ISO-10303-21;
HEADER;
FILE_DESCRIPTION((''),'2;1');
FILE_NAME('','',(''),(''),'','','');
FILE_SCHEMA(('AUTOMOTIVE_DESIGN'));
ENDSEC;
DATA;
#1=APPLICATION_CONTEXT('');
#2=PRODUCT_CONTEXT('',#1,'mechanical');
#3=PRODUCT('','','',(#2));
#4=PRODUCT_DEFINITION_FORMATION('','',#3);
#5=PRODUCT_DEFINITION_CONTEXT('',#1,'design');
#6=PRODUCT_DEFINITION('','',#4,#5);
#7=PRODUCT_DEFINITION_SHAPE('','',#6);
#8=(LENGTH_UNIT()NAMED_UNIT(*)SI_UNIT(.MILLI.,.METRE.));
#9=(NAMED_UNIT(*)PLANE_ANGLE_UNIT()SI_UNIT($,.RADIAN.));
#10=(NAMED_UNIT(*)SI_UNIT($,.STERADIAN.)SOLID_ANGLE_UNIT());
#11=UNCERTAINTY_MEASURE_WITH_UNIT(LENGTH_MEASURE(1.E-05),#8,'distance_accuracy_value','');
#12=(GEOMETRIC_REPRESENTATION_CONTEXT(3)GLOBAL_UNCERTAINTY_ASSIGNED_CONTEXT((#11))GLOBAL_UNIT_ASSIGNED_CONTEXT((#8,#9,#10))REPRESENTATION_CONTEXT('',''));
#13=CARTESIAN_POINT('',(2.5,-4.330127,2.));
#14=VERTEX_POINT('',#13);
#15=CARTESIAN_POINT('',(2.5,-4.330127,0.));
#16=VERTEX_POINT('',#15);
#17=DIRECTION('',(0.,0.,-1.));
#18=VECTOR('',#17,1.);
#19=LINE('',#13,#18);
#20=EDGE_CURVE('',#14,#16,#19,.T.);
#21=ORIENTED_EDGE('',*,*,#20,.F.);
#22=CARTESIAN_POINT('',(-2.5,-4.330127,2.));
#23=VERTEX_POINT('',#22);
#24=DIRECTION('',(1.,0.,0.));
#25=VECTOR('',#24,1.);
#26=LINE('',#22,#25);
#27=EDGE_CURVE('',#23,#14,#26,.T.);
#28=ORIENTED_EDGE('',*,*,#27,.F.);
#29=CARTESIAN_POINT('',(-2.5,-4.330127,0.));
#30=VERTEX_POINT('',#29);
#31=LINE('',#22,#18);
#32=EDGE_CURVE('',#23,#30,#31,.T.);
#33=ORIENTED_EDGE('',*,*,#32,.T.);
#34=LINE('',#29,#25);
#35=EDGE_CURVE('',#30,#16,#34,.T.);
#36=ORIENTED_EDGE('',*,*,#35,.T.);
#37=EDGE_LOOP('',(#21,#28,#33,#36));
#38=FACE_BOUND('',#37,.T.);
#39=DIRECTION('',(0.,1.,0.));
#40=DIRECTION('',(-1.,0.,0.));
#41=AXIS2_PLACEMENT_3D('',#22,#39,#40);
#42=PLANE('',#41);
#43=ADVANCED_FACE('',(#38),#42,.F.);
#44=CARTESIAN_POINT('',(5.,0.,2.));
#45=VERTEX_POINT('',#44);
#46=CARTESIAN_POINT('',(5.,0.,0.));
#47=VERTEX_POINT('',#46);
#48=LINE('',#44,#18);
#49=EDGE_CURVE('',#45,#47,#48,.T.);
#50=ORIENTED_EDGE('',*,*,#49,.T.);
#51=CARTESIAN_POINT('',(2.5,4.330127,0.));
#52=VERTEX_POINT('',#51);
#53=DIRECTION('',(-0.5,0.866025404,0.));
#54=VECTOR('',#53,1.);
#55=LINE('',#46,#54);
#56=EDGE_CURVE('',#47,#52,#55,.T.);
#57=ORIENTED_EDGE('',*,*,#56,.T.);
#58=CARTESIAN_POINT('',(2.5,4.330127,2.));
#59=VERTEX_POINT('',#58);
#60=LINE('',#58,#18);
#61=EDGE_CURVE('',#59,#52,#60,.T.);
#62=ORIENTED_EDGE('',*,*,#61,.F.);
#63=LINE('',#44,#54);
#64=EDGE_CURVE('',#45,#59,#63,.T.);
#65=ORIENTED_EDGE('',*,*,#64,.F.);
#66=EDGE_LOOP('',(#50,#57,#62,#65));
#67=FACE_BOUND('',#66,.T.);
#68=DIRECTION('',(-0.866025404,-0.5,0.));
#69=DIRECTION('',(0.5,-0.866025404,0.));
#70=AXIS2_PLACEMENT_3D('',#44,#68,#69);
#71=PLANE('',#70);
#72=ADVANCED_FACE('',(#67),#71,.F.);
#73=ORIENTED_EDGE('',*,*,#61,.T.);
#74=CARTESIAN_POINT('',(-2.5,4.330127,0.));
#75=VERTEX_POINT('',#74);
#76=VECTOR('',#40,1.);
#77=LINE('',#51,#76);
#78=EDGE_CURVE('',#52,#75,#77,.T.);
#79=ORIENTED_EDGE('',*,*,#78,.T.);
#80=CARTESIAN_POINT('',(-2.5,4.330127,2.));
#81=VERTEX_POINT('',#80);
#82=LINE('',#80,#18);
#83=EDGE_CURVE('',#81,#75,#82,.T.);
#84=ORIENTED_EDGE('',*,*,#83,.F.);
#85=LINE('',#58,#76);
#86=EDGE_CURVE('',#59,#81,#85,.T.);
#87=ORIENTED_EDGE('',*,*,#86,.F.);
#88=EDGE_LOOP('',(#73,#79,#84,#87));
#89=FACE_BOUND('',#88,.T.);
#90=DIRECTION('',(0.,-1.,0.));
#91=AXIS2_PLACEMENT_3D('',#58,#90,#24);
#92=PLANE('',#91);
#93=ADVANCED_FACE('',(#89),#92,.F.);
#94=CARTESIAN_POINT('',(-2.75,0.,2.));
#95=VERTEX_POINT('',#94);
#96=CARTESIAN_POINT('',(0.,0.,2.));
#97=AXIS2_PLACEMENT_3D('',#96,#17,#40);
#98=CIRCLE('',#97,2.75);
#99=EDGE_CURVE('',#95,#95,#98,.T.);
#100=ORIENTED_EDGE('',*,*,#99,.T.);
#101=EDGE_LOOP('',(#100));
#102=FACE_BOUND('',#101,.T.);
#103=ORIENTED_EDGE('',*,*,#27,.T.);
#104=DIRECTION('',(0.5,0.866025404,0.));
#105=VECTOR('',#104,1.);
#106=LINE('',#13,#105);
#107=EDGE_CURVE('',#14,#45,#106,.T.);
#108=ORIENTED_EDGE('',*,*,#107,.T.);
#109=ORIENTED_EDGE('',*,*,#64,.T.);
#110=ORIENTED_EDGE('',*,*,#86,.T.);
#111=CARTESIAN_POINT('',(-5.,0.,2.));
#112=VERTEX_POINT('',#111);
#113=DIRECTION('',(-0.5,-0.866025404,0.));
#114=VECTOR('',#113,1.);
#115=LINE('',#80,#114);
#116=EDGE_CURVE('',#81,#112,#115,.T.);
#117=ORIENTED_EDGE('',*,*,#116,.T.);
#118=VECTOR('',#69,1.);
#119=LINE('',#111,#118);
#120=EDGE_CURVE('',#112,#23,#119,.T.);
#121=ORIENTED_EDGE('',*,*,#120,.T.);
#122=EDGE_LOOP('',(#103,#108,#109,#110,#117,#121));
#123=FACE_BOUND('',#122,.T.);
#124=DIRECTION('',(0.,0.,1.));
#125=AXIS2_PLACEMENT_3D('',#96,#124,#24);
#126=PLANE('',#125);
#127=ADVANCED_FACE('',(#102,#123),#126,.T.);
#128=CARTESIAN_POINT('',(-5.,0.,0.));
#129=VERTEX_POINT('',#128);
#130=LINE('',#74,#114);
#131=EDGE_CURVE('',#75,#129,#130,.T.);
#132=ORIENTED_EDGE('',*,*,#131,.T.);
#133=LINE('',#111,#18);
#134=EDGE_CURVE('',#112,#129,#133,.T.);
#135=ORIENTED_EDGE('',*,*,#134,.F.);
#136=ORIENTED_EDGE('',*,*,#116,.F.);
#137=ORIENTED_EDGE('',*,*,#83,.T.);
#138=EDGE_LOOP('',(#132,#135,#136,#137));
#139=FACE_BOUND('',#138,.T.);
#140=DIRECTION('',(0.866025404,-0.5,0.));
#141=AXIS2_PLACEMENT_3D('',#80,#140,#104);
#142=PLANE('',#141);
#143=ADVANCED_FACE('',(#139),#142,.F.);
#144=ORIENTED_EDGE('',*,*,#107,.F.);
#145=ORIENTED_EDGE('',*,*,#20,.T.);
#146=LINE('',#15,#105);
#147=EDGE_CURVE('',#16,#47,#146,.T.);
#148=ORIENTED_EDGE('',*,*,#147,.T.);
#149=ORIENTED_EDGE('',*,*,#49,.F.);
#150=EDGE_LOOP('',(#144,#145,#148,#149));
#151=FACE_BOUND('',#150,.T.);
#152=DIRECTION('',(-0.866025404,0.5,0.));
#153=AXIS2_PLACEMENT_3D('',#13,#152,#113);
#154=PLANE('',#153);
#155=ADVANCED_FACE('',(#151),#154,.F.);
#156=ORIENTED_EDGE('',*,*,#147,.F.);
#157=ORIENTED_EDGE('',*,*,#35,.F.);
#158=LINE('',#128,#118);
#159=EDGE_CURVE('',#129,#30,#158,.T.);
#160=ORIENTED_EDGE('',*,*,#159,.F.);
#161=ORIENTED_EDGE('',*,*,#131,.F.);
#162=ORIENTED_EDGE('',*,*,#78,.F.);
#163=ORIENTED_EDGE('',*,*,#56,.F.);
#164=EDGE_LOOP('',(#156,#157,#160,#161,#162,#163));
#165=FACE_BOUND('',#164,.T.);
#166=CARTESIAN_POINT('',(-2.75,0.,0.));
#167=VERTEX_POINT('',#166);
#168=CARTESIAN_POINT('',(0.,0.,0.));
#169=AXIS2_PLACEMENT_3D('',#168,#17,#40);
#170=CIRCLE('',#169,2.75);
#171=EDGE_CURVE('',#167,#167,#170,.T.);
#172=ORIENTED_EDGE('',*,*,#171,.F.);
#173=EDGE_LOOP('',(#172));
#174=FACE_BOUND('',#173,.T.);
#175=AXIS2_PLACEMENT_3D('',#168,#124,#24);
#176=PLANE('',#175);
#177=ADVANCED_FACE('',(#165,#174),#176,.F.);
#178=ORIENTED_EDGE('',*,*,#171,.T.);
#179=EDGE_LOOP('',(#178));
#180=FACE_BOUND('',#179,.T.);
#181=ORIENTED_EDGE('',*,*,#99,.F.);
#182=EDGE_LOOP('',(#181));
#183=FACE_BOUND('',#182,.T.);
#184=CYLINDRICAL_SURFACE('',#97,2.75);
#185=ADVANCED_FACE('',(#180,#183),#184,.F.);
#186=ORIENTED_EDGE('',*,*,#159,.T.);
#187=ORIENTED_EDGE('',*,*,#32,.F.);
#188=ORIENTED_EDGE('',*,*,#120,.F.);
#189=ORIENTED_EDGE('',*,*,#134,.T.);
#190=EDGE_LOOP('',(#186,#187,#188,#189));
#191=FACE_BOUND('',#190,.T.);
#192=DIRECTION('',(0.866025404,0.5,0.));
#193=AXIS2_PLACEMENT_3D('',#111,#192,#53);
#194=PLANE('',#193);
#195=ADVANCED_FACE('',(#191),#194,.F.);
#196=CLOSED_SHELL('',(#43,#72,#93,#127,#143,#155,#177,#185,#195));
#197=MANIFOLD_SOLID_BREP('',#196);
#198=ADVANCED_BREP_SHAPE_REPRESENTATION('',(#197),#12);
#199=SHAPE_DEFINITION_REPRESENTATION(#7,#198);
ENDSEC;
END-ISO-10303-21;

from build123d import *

# Parameters (mm, degrees)
BOSS_EXTRUDE1_DEPTH = 2
SKETCH3_R           = 2.75
CUT_EXTRUDE1_DEPTH  = 7.910137481


with BuildPart() as part:
    # Sketch1 → Boss-Extrude1 (new body)
    with BuildSketch(Plane.XY):
        Polygon((-2.5, -4.330127019), (2.5, -4.330127019), (5, 0), (2.5, 4.330127019), (-2.5, 4.330127019), (-5, 0), align=None)
    extrude(amount=BOSS_EXTRUDE1_DEPTH)

    # Sketch3 → Cut-Extrude1 (cut, through all)
    with BuildSketch(Plane(origin=(0, 0, 0), x_dir=(-1, 0, 0), z_dir=(0, 0, -1))):
        Circle(SKETCH3_R)
    extrude(amount=-CUT_EXTRUDE1_DEPTH, mode=Mode.SUBTRACT)


solid = part.part
